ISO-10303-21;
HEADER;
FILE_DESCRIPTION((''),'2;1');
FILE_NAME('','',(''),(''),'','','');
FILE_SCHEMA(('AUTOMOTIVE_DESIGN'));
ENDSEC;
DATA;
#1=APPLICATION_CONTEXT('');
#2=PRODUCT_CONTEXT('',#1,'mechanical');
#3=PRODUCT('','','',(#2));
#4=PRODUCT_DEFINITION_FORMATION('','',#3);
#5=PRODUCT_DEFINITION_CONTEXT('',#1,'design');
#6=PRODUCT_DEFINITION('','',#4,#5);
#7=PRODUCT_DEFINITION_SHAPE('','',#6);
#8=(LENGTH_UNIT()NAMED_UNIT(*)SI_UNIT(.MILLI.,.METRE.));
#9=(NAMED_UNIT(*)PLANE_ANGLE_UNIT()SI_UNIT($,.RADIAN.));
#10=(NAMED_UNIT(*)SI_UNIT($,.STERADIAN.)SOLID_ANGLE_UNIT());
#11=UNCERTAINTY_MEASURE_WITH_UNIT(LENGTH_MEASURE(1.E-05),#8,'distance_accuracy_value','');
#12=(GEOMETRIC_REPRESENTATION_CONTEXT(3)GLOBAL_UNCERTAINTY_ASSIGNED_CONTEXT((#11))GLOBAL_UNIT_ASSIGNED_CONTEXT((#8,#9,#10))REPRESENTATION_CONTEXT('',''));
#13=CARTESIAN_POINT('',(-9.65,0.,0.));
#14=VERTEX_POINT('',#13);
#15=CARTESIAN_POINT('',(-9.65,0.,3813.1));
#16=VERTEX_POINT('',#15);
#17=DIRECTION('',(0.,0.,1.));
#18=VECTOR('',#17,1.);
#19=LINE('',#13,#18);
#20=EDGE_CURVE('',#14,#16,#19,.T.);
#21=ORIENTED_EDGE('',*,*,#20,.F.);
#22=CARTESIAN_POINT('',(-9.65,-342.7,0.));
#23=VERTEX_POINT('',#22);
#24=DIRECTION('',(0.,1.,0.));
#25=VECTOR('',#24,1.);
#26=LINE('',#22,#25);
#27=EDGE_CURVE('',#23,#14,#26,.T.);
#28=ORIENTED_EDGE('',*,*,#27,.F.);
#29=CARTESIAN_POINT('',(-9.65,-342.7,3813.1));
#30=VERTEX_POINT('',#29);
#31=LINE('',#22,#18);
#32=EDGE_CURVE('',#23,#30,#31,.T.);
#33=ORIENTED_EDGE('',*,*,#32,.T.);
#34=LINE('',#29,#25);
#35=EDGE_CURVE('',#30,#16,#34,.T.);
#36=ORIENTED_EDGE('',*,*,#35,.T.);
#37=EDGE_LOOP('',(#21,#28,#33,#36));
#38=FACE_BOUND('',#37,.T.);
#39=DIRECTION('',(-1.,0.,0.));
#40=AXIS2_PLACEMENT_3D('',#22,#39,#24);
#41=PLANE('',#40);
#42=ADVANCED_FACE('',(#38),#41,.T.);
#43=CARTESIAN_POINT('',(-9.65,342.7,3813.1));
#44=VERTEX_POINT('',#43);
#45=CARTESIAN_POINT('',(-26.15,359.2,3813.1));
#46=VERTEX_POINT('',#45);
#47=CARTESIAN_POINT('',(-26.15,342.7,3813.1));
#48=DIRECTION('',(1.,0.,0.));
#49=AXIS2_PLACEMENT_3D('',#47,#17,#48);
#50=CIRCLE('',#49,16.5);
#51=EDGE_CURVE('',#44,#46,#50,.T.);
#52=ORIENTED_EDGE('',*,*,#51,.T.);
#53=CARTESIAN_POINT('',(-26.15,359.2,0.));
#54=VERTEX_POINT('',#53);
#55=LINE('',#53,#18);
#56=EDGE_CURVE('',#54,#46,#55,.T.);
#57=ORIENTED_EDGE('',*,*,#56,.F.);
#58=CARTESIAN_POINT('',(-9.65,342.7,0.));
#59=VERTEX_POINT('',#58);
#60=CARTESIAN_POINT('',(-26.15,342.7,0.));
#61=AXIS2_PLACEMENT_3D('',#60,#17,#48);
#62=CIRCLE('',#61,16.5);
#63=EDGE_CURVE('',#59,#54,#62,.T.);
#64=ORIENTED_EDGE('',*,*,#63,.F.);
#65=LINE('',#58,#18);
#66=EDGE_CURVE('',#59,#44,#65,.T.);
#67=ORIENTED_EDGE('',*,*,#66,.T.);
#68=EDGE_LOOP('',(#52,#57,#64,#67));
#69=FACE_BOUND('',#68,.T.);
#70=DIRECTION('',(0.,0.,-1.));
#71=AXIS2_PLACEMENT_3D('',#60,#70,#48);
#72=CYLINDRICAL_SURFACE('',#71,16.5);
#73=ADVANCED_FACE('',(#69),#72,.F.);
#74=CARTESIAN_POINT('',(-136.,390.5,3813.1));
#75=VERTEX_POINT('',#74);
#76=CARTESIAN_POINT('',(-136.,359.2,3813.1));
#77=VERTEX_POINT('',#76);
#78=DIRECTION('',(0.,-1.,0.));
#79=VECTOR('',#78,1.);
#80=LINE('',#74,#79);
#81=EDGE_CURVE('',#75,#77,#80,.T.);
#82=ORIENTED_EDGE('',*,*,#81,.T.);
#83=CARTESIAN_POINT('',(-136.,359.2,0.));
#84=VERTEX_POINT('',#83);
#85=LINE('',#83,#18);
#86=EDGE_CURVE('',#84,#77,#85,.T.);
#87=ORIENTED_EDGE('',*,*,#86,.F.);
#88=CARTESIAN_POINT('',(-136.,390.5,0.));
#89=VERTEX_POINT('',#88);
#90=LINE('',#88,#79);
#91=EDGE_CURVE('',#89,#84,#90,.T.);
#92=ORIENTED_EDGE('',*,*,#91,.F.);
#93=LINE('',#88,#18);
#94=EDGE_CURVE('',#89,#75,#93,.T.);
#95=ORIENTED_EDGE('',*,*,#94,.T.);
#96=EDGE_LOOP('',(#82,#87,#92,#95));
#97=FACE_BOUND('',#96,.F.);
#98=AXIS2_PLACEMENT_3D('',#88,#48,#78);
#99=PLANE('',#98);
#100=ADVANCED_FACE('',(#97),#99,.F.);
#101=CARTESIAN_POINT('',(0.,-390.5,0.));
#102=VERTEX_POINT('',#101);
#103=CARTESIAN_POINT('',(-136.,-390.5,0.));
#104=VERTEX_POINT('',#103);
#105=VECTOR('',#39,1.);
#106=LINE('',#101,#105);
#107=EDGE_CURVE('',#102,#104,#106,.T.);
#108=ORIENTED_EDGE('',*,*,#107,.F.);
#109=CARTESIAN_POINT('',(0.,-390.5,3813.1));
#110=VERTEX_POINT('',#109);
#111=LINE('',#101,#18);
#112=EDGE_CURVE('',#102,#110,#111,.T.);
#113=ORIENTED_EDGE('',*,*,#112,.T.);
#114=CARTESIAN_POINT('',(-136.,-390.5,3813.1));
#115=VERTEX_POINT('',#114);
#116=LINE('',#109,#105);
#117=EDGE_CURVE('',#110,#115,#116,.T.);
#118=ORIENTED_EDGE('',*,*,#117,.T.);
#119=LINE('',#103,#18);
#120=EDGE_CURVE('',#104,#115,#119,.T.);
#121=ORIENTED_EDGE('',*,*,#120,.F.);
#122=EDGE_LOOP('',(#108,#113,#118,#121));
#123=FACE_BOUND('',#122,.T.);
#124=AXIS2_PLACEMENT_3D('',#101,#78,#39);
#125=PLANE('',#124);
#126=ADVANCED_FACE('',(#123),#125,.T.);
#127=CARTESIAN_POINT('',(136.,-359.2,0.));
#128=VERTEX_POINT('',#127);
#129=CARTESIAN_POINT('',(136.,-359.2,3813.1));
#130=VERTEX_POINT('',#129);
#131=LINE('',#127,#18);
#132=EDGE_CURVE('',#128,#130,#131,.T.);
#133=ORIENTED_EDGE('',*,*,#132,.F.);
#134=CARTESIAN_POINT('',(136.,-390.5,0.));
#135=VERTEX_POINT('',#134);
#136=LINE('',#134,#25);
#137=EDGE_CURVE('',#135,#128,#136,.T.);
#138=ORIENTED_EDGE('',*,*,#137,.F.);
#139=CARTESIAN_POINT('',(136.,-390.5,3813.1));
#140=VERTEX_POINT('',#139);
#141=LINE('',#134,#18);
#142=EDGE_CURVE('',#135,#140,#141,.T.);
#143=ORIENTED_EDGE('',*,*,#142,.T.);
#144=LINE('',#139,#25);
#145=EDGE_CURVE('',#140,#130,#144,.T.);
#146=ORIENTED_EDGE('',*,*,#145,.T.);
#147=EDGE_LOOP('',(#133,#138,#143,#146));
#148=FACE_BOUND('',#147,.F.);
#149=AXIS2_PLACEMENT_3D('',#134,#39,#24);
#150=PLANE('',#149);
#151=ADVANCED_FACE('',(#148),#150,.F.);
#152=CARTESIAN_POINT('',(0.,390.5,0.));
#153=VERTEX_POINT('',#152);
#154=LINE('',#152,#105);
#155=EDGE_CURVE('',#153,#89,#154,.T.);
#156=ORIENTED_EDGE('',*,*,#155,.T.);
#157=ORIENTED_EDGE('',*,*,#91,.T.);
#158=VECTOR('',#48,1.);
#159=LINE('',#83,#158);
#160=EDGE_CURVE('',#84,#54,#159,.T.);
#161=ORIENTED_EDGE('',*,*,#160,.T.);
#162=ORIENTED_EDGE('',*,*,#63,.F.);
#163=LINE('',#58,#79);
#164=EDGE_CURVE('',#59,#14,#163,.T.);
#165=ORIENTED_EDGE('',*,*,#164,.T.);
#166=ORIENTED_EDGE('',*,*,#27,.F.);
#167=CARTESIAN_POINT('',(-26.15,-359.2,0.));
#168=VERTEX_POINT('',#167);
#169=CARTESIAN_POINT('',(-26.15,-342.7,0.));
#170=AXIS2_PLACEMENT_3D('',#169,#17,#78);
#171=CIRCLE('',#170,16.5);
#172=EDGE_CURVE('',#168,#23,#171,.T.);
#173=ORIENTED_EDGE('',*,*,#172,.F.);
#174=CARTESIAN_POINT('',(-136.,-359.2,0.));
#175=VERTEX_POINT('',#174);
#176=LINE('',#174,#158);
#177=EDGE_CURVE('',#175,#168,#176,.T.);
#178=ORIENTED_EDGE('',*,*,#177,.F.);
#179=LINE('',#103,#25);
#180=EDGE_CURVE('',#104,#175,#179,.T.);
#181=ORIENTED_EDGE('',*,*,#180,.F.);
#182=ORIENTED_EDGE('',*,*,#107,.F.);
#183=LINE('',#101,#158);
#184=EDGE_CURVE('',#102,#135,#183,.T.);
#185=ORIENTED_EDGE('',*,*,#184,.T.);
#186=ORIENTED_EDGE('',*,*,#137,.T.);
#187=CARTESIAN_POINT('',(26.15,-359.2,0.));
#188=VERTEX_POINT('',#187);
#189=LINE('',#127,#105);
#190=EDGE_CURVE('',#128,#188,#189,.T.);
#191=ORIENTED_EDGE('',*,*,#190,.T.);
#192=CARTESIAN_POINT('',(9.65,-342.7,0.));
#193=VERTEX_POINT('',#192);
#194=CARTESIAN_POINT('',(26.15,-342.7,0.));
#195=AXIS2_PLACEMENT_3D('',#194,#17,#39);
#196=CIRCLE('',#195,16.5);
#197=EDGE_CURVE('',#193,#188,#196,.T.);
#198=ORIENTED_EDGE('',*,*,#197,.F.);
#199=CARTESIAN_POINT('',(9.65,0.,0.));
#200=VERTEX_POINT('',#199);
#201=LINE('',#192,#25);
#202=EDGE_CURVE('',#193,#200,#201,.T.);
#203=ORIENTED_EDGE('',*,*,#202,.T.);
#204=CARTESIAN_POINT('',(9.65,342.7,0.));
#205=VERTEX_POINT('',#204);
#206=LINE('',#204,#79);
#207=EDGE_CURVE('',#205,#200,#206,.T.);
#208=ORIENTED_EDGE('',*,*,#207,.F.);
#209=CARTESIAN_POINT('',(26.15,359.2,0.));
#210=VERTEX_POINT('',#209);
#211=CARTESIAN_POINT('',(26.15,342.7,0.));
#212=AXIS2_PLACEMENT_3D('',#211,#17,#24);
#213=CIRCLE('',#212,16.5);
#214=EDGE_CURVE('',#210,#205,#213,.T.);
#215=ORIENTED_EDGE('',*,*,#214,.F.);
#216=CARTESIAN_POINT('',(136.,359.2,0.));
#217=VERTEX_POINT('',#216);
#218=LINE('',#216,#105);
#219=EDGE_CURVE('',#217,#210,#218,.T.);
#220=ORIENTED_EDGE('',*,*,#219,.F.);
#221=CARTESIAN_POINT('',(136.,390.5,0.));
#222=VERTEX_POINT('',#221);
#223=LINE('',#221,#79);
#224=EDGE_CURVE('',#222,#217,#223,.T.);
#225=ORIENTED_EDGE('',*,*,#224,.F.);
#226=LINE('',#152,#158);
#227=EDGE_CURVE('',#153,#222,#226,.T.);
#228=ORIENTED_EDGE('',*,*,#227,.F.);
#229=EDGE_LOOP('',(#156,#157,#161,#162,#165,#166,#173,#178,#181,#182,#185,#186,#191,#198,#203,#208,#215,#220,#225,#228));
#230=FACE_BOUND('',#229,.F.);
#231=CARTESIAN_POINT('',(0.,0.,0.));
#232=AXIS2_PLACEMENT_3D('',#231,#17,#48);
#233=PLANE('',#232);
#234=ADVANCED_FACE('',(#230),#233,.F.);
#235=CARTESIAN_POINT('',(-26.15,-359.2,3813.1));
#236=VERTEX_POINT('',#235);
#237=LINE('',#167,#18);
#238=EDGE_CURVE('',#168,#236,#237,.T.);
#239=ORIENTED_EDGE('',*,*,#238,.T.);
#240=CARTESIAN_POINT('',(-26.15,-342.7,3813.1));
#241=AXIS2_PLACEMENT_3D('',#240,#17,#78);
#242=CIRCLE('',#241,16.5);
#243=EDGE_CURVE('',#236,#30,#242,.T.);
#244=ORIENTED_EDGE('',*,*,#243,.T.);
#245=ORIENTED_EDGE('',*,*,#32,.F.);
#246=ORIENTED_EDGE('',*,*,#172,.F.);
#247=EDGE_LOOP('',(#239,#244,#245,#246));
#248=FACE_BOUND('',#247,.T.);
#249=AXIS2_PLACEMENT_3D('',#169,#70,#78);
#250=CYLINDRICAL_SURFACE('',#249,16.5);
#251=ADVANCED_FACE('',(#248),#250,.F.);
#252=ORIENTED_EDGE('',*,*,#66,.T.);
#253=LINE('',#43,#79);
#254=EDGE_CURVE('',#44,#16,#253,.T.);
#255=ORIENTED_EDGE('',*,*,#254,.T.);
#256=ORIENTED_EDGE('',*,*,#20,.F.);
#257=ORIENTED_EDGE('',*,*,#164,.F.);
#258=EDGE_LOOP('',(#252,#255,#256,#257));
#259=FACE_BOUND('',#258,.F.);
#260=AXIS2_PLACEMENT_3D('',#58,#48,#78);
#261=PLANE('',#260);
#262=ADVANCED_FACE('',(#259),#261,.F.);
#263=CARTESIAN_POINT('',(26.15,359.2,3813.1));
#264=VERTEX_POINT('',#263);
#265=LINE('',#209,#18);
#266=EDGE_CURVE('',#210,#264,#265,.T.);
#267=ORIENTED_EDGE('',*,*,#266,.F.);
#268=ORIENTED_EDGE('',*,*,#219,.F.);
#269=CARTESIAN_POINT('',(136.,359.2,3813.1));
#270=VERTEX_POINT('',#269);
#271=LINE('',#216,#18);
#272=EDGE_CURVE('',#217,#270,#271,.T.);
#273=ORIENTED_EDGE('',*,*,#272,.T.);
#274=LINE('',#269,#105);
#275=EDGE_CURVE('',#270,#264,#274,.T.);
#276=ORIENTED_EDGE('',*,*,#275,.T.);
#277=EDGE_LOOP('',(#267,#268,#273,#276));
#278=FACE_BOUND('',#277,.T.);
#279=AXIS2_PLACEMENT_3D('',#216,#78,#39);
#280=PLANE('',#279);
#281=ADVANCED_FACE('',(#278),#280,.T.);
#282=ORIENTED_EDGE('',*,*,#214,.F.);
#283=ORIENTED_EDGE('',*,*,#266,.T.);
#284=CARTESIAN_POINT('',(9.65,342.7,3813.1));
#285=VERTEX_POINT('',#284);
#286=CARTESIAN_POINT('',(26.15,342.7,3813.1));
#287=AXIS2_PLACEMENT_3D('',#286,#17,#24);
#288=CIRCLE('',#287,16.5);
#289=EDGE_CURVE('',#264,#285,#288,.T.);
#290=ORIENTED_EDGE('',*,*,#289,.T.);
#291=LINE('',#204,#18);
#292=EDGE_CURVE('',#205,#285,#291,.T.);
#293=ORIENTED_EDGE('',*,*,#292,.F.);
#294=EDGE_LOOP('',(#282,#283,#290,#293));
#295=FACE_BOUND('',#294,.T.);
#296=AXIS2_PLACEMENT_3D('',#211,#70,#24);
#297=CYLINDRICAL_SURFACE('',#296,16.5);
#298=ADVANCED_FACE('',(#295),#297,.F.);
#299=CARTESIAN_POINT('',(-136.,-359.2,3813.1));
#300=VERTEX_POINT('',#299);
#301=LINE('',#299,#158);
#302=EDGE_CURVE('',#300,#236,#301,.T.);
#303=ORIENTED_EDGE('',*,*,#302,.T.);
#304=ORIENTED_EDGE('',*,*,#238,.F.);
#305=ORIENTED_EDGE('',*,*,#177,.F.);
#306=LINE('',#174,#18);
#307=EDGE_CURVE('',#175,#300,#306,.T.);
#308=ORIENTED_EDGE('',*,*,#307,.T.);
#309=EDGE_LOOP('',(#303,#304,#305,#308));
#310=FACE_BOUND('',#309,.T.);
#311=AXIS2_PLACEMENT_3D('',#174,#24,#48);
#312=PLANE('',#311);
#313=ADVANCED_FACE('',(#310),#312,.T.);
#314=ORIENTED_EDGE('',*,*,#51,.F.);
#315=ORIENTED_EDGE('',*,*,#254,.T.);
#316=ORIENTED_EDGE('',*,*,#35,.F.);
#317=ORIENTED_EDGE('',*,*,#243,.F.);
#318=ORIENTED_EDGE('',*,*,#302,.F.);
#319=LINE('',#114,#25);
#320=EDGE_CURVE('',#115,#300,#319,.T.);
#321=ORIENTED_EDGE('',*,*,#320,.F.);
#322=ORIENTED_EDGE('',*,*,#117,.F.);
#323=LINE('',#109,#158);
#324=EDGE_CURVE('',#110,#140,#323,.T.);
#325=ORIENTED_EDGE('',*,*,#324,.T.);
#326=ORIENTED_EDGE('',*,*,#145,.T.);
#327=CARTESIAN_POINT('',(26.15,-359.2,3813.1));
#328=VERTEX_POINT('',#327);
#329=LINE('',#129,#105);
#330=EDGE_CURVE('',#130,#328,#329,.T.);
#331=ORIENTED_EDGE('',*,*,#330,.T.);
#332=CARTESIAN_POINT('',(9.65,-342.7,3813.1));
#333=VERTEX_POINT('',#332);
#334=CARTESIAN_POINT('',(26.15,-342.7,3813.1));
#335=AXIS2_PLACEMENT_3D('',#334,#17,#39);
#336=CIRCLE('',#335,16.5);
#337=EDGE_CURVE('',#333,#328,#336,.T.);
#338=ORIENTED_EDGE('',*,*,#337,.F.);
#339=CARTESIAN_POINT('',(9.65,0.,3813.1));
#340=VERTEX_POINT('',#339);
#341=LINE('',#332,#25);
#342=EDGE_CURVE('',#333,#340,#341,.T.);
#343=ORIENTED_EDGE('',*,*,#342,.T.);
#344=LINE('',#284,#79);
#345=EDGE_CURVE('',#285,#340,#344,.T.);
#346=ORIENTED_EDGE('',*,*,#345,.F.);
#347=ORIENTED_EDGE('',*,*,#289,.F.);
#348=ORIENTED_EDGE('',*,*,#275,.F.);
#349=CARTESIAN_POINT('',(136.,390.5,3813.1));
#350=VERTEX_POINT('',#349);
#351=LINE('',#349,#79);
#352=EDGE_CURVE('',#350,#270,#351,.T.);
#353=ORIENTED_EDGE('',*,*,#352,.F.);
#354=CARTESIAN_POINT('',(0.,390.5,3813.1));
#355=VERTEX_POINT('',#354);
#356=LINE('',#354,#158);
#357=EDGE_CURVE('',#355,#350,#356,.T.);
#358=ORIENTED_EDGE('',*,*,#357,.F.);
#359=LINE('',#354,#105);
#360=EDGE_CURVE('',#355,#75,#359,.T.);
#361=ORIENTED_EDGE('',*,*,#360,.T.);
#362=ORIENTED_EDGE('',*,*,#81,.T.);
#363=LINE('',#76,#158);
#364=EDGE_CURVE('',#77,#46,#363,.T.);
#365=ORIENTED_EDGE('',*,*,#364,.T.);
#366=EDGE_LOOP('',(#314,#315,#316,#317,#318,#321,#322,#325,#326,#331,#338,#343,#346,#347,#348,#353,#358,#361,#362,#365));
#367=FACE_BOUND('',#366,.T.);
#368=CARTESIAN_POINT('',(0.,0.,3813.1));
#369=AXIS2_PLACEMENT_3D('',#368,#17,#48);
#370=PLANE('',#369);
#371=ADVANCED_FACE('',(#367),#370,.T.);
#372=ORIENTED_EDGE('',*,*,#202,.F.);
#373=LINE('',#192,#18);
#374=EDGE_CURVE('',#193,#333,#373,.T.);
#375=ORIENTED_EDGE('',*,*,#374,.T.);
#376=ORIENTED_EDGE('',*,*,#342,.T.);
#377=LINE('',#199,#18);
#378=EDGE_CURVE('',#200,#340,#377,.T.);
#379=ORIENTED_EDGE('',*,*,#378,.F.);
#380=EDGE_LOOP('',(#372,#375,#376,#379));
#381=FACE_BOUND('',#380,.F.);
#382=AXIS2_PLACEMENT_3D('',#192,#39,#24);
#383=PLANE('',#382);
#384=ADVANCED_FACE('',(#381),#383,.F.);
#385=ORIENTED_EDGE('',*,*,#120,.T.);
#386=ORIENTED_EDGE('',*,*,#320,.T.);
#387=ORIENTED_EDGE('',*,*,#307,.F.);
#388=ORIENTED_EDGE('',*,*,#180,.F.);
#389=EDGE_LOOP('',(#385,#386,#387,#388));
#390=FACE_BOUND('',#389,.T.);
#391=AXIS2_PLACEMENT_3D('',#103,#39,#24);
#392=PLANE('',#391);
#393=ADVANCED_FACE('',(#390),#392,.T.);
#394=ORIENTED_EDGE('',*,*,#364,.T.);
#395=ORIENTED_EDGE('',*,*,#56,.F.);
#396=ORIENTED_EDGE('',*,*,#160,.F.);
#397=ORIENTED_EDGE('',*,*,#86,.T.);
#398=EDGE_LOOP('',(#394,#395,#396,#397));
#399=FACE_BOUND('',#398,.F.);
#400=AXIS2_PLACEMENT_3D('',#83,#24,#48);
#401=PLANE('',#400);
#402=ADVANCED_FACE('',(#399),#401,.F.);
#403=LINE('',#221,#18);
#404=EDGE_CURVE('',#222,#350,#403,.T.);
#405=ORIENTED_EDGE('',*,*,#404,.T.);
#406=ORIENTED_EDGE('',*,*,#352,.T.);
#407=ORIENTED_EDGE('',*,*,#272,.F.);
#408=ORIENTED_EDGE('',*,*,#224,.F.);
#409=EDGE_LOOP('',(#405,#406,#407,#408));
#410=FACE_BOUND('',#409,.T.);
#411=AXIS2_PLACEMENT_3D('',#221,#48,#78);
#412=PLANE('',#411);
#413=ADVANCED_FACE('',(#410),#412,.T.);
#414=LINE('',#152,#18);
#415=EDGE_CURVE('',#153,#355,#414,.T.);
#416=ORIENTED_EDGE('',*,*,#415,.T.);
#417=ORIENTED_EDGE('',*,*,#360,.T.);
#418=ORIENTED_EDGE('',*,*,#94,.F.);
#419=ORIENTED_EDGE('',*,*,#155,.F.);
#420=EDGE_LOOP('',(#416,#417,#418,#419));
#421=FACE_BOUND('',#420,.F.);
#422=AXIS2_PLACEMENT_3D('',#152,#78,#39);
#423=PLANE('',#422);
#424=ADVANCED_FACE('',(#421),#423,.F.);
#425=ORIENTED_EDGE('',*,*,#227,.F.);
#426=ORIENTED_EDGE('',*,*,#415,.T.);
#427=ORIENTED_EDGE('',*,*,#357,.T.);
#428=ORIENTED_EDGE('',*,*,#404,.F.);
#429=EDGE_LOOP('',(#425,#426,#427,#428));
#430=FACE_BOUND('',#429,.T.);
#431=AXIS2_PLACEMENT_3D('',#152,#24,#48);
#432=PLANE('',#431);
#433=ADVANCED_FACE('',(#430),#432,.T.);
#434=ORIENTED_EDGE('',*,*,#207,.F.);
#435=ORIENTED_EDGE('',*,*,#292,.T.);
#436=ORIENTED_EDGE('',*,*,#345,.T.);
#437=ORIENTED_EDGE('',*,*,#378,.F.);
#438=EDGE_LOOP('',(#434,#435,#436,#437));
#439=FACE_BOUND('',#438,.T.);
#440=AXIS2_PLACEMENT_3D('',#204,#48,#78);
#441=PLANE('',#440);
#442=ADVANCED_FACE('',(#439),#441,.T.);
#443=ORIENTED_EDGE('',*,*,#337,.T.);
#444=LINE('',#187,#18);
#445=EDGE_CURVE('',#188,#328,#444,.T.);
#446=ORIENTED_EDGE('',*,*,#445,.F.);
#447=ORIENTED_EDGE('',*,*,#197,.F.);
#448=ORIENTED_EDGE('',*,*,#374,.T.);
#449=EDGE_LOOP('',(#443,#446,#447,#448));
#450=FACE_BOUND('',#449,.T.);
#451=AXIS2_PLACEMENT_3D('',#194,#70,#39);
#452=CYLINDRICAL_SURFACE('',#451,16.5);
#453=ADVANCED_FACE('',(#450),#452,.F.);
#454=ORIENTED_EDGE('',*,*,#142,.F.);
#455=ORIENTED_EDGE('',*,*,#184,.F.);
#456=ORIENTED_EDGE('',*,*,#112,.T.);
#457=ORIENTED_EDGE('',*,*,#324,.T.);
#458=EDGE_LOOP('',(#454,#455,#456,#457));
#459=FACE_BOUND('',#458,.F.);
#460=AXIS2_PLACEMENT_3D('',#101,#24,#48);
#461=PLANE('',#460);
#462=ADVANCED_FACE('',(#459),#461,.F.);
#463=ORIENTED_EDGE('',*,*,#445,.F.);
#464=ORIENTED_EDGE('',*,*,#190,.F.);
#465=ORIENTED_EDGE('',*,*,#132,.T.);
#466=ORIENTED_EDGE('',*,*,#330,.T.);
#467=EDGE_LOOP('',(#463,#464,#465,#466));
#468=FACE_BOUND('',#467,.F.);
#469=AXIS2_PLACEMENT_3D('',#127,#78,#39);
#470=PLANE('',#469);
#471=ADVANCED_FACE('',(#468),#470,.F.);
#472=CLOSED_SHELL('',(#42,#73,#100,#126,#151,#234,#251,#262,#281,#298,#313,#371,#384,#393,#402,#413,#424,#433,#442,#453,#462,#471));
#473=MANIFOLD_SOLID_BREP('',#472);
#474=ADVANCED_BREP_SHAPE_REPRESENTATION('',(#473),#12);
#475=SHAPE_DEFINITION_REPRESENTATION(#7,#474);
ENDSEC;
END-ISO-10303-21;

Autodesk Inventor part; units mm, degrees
ref_plane "YZ Plane" through (0, 0, 0) normal (1, 0, 0) x (0, 1, 0)
ref_plane "Start plane" through (0, 0, 0) normal (0, 0, 1) x (1, 0, 0)
ref_plane "End plane" through (0, 0, 3813.1) normal (0, 0, 1) x (1, 0, 0)
sketch "Sketch" plane through (0, 0, 0) normal (0, 0, 1) x (1, 0, 0)
  line L0 (-136, -390.5) -> (-136, -359.2)
  line L1 (-136, -359.2) -> (-26.15, -359.2)
  line L2 (-9.65, -342.7) -> (-9.65, 0)
  line L3 (-9.65, 0) -> (0, 0) construction
  line L4 (0, 0) -> (0, -390.5) construction
  line L5 (0, -390.5) -> (-136, -390.5)
  line L6 (-60, 0) -> (80, 0) construction
  line L7 (0, -60) -> (0, 80) construction
  line L8 (136, -390.5) -> (136, -359.2)
  line L9 (136, -359.2) -> (26.15, -359.2)
  line L10 (9.65, -342.7) -> (9.65, 0)
  line L11 (9.65, 0) -> (0, 0) construction
  line L12 (0, -390.5) -> (136, -390.5)
  line L13 (-136, 390.5) -> (-136, 359.2)
  line L14 (-136, 359.2) -> (-26.15, 359.2)
  line L15 (-9.65, 342.7) -> (-9.65, 0)
  line L16 (0, 390.5) -> (-136, 390.5)
  line L17 (136, 390.5) -> (136, 359.2)
  line L18 (136, 359.2) -> (26.15, 359.2)
  line L19 (0, 390.5) -> (136, 390.5)
  line L20 (9.65, 342.7) -> (9.65, 0)
  arc A0 (-9.65, 342.7) -> (-26.15, 359.2) centre (-26.15, 342.7) ccw
  arc A1 (26.15, 359.2) -> (9.65, 342.7) centre (26.15, 342.7) ccw
  arc A2 (9.65, -342.7) -> (26.15, -359.2) centre (26.15, -342.7) ccw
  arc A3 (-26.15, -359.2) -> (-9.65, -342.7) centre (-26.15, -342.7) ccw
  line L21 (0, 108) -> (0, -88) construction
  line L22 (-88, 0) -> (108, 0) construction
  point P0 (-9.65, -359.2)
  point P1 (9.65, -359.2)
  point P2 (-9.65, 359.2)
  point P3 (9.65, 359.2)
  dimension "d1" = 390.5
  dimension "d2" = 31.3
  dimension "d3" = 136
  dimension "d4" = 9.65
  dimension "d10" = 16.5
extrude "Body" add sketch "Sketch" along normal up to surface (3813.1 mm away) from surface at 0
sketch "Sketch4" plane through (0, 0, 0) normal (0, 0, 1) x (1, 0, 0)
  line L0 (0, 0) -> (10, 0)
ref_plane "Work Plane3" through (0, 0, 0) normal (0, -1, 0) x (1, 0, 0)
sketch "Sketch5" plane through (0, 0, 0) normal (0, -1, 0) x (1, 0, 0)
  line L0 (-2, 0) -> (12, 0) projected
  line L1 (-2, 3813.1) -> (12, 3813.1) projected
  dimension "d14" = 3813.1
equation "\"d1\" = 0.5 * G_H"
equation "\"d2\" = G_T1"
equation "\"d3\" = 0.5 * G_W"
equation "\"d4\" = 0.5 * G_T"
equation "\"d10\" = G_IR"
equation "\"d5\" = G_L"
equation "\"G_W\" = 272"
equation "\"G_H\" = 781"
equation "\"G_T\" = 19.3"
equation "\"G_T1\" = 31.3"
equation "\"G_IR\" = 16.5"
equation "\"G_L\" = d14"
equation "\"G_OFFSET_START\" = 0"
equation "\"G_OFFSET_END\" = 0"
equation "\"d12\" = G_OFFSET_END + B_L"
equation "\"B_L\" = 3813.1"
properties part number "AS 3679-1990 - 760 UB - 244 - 3813.1" material "Steel, Mild"
